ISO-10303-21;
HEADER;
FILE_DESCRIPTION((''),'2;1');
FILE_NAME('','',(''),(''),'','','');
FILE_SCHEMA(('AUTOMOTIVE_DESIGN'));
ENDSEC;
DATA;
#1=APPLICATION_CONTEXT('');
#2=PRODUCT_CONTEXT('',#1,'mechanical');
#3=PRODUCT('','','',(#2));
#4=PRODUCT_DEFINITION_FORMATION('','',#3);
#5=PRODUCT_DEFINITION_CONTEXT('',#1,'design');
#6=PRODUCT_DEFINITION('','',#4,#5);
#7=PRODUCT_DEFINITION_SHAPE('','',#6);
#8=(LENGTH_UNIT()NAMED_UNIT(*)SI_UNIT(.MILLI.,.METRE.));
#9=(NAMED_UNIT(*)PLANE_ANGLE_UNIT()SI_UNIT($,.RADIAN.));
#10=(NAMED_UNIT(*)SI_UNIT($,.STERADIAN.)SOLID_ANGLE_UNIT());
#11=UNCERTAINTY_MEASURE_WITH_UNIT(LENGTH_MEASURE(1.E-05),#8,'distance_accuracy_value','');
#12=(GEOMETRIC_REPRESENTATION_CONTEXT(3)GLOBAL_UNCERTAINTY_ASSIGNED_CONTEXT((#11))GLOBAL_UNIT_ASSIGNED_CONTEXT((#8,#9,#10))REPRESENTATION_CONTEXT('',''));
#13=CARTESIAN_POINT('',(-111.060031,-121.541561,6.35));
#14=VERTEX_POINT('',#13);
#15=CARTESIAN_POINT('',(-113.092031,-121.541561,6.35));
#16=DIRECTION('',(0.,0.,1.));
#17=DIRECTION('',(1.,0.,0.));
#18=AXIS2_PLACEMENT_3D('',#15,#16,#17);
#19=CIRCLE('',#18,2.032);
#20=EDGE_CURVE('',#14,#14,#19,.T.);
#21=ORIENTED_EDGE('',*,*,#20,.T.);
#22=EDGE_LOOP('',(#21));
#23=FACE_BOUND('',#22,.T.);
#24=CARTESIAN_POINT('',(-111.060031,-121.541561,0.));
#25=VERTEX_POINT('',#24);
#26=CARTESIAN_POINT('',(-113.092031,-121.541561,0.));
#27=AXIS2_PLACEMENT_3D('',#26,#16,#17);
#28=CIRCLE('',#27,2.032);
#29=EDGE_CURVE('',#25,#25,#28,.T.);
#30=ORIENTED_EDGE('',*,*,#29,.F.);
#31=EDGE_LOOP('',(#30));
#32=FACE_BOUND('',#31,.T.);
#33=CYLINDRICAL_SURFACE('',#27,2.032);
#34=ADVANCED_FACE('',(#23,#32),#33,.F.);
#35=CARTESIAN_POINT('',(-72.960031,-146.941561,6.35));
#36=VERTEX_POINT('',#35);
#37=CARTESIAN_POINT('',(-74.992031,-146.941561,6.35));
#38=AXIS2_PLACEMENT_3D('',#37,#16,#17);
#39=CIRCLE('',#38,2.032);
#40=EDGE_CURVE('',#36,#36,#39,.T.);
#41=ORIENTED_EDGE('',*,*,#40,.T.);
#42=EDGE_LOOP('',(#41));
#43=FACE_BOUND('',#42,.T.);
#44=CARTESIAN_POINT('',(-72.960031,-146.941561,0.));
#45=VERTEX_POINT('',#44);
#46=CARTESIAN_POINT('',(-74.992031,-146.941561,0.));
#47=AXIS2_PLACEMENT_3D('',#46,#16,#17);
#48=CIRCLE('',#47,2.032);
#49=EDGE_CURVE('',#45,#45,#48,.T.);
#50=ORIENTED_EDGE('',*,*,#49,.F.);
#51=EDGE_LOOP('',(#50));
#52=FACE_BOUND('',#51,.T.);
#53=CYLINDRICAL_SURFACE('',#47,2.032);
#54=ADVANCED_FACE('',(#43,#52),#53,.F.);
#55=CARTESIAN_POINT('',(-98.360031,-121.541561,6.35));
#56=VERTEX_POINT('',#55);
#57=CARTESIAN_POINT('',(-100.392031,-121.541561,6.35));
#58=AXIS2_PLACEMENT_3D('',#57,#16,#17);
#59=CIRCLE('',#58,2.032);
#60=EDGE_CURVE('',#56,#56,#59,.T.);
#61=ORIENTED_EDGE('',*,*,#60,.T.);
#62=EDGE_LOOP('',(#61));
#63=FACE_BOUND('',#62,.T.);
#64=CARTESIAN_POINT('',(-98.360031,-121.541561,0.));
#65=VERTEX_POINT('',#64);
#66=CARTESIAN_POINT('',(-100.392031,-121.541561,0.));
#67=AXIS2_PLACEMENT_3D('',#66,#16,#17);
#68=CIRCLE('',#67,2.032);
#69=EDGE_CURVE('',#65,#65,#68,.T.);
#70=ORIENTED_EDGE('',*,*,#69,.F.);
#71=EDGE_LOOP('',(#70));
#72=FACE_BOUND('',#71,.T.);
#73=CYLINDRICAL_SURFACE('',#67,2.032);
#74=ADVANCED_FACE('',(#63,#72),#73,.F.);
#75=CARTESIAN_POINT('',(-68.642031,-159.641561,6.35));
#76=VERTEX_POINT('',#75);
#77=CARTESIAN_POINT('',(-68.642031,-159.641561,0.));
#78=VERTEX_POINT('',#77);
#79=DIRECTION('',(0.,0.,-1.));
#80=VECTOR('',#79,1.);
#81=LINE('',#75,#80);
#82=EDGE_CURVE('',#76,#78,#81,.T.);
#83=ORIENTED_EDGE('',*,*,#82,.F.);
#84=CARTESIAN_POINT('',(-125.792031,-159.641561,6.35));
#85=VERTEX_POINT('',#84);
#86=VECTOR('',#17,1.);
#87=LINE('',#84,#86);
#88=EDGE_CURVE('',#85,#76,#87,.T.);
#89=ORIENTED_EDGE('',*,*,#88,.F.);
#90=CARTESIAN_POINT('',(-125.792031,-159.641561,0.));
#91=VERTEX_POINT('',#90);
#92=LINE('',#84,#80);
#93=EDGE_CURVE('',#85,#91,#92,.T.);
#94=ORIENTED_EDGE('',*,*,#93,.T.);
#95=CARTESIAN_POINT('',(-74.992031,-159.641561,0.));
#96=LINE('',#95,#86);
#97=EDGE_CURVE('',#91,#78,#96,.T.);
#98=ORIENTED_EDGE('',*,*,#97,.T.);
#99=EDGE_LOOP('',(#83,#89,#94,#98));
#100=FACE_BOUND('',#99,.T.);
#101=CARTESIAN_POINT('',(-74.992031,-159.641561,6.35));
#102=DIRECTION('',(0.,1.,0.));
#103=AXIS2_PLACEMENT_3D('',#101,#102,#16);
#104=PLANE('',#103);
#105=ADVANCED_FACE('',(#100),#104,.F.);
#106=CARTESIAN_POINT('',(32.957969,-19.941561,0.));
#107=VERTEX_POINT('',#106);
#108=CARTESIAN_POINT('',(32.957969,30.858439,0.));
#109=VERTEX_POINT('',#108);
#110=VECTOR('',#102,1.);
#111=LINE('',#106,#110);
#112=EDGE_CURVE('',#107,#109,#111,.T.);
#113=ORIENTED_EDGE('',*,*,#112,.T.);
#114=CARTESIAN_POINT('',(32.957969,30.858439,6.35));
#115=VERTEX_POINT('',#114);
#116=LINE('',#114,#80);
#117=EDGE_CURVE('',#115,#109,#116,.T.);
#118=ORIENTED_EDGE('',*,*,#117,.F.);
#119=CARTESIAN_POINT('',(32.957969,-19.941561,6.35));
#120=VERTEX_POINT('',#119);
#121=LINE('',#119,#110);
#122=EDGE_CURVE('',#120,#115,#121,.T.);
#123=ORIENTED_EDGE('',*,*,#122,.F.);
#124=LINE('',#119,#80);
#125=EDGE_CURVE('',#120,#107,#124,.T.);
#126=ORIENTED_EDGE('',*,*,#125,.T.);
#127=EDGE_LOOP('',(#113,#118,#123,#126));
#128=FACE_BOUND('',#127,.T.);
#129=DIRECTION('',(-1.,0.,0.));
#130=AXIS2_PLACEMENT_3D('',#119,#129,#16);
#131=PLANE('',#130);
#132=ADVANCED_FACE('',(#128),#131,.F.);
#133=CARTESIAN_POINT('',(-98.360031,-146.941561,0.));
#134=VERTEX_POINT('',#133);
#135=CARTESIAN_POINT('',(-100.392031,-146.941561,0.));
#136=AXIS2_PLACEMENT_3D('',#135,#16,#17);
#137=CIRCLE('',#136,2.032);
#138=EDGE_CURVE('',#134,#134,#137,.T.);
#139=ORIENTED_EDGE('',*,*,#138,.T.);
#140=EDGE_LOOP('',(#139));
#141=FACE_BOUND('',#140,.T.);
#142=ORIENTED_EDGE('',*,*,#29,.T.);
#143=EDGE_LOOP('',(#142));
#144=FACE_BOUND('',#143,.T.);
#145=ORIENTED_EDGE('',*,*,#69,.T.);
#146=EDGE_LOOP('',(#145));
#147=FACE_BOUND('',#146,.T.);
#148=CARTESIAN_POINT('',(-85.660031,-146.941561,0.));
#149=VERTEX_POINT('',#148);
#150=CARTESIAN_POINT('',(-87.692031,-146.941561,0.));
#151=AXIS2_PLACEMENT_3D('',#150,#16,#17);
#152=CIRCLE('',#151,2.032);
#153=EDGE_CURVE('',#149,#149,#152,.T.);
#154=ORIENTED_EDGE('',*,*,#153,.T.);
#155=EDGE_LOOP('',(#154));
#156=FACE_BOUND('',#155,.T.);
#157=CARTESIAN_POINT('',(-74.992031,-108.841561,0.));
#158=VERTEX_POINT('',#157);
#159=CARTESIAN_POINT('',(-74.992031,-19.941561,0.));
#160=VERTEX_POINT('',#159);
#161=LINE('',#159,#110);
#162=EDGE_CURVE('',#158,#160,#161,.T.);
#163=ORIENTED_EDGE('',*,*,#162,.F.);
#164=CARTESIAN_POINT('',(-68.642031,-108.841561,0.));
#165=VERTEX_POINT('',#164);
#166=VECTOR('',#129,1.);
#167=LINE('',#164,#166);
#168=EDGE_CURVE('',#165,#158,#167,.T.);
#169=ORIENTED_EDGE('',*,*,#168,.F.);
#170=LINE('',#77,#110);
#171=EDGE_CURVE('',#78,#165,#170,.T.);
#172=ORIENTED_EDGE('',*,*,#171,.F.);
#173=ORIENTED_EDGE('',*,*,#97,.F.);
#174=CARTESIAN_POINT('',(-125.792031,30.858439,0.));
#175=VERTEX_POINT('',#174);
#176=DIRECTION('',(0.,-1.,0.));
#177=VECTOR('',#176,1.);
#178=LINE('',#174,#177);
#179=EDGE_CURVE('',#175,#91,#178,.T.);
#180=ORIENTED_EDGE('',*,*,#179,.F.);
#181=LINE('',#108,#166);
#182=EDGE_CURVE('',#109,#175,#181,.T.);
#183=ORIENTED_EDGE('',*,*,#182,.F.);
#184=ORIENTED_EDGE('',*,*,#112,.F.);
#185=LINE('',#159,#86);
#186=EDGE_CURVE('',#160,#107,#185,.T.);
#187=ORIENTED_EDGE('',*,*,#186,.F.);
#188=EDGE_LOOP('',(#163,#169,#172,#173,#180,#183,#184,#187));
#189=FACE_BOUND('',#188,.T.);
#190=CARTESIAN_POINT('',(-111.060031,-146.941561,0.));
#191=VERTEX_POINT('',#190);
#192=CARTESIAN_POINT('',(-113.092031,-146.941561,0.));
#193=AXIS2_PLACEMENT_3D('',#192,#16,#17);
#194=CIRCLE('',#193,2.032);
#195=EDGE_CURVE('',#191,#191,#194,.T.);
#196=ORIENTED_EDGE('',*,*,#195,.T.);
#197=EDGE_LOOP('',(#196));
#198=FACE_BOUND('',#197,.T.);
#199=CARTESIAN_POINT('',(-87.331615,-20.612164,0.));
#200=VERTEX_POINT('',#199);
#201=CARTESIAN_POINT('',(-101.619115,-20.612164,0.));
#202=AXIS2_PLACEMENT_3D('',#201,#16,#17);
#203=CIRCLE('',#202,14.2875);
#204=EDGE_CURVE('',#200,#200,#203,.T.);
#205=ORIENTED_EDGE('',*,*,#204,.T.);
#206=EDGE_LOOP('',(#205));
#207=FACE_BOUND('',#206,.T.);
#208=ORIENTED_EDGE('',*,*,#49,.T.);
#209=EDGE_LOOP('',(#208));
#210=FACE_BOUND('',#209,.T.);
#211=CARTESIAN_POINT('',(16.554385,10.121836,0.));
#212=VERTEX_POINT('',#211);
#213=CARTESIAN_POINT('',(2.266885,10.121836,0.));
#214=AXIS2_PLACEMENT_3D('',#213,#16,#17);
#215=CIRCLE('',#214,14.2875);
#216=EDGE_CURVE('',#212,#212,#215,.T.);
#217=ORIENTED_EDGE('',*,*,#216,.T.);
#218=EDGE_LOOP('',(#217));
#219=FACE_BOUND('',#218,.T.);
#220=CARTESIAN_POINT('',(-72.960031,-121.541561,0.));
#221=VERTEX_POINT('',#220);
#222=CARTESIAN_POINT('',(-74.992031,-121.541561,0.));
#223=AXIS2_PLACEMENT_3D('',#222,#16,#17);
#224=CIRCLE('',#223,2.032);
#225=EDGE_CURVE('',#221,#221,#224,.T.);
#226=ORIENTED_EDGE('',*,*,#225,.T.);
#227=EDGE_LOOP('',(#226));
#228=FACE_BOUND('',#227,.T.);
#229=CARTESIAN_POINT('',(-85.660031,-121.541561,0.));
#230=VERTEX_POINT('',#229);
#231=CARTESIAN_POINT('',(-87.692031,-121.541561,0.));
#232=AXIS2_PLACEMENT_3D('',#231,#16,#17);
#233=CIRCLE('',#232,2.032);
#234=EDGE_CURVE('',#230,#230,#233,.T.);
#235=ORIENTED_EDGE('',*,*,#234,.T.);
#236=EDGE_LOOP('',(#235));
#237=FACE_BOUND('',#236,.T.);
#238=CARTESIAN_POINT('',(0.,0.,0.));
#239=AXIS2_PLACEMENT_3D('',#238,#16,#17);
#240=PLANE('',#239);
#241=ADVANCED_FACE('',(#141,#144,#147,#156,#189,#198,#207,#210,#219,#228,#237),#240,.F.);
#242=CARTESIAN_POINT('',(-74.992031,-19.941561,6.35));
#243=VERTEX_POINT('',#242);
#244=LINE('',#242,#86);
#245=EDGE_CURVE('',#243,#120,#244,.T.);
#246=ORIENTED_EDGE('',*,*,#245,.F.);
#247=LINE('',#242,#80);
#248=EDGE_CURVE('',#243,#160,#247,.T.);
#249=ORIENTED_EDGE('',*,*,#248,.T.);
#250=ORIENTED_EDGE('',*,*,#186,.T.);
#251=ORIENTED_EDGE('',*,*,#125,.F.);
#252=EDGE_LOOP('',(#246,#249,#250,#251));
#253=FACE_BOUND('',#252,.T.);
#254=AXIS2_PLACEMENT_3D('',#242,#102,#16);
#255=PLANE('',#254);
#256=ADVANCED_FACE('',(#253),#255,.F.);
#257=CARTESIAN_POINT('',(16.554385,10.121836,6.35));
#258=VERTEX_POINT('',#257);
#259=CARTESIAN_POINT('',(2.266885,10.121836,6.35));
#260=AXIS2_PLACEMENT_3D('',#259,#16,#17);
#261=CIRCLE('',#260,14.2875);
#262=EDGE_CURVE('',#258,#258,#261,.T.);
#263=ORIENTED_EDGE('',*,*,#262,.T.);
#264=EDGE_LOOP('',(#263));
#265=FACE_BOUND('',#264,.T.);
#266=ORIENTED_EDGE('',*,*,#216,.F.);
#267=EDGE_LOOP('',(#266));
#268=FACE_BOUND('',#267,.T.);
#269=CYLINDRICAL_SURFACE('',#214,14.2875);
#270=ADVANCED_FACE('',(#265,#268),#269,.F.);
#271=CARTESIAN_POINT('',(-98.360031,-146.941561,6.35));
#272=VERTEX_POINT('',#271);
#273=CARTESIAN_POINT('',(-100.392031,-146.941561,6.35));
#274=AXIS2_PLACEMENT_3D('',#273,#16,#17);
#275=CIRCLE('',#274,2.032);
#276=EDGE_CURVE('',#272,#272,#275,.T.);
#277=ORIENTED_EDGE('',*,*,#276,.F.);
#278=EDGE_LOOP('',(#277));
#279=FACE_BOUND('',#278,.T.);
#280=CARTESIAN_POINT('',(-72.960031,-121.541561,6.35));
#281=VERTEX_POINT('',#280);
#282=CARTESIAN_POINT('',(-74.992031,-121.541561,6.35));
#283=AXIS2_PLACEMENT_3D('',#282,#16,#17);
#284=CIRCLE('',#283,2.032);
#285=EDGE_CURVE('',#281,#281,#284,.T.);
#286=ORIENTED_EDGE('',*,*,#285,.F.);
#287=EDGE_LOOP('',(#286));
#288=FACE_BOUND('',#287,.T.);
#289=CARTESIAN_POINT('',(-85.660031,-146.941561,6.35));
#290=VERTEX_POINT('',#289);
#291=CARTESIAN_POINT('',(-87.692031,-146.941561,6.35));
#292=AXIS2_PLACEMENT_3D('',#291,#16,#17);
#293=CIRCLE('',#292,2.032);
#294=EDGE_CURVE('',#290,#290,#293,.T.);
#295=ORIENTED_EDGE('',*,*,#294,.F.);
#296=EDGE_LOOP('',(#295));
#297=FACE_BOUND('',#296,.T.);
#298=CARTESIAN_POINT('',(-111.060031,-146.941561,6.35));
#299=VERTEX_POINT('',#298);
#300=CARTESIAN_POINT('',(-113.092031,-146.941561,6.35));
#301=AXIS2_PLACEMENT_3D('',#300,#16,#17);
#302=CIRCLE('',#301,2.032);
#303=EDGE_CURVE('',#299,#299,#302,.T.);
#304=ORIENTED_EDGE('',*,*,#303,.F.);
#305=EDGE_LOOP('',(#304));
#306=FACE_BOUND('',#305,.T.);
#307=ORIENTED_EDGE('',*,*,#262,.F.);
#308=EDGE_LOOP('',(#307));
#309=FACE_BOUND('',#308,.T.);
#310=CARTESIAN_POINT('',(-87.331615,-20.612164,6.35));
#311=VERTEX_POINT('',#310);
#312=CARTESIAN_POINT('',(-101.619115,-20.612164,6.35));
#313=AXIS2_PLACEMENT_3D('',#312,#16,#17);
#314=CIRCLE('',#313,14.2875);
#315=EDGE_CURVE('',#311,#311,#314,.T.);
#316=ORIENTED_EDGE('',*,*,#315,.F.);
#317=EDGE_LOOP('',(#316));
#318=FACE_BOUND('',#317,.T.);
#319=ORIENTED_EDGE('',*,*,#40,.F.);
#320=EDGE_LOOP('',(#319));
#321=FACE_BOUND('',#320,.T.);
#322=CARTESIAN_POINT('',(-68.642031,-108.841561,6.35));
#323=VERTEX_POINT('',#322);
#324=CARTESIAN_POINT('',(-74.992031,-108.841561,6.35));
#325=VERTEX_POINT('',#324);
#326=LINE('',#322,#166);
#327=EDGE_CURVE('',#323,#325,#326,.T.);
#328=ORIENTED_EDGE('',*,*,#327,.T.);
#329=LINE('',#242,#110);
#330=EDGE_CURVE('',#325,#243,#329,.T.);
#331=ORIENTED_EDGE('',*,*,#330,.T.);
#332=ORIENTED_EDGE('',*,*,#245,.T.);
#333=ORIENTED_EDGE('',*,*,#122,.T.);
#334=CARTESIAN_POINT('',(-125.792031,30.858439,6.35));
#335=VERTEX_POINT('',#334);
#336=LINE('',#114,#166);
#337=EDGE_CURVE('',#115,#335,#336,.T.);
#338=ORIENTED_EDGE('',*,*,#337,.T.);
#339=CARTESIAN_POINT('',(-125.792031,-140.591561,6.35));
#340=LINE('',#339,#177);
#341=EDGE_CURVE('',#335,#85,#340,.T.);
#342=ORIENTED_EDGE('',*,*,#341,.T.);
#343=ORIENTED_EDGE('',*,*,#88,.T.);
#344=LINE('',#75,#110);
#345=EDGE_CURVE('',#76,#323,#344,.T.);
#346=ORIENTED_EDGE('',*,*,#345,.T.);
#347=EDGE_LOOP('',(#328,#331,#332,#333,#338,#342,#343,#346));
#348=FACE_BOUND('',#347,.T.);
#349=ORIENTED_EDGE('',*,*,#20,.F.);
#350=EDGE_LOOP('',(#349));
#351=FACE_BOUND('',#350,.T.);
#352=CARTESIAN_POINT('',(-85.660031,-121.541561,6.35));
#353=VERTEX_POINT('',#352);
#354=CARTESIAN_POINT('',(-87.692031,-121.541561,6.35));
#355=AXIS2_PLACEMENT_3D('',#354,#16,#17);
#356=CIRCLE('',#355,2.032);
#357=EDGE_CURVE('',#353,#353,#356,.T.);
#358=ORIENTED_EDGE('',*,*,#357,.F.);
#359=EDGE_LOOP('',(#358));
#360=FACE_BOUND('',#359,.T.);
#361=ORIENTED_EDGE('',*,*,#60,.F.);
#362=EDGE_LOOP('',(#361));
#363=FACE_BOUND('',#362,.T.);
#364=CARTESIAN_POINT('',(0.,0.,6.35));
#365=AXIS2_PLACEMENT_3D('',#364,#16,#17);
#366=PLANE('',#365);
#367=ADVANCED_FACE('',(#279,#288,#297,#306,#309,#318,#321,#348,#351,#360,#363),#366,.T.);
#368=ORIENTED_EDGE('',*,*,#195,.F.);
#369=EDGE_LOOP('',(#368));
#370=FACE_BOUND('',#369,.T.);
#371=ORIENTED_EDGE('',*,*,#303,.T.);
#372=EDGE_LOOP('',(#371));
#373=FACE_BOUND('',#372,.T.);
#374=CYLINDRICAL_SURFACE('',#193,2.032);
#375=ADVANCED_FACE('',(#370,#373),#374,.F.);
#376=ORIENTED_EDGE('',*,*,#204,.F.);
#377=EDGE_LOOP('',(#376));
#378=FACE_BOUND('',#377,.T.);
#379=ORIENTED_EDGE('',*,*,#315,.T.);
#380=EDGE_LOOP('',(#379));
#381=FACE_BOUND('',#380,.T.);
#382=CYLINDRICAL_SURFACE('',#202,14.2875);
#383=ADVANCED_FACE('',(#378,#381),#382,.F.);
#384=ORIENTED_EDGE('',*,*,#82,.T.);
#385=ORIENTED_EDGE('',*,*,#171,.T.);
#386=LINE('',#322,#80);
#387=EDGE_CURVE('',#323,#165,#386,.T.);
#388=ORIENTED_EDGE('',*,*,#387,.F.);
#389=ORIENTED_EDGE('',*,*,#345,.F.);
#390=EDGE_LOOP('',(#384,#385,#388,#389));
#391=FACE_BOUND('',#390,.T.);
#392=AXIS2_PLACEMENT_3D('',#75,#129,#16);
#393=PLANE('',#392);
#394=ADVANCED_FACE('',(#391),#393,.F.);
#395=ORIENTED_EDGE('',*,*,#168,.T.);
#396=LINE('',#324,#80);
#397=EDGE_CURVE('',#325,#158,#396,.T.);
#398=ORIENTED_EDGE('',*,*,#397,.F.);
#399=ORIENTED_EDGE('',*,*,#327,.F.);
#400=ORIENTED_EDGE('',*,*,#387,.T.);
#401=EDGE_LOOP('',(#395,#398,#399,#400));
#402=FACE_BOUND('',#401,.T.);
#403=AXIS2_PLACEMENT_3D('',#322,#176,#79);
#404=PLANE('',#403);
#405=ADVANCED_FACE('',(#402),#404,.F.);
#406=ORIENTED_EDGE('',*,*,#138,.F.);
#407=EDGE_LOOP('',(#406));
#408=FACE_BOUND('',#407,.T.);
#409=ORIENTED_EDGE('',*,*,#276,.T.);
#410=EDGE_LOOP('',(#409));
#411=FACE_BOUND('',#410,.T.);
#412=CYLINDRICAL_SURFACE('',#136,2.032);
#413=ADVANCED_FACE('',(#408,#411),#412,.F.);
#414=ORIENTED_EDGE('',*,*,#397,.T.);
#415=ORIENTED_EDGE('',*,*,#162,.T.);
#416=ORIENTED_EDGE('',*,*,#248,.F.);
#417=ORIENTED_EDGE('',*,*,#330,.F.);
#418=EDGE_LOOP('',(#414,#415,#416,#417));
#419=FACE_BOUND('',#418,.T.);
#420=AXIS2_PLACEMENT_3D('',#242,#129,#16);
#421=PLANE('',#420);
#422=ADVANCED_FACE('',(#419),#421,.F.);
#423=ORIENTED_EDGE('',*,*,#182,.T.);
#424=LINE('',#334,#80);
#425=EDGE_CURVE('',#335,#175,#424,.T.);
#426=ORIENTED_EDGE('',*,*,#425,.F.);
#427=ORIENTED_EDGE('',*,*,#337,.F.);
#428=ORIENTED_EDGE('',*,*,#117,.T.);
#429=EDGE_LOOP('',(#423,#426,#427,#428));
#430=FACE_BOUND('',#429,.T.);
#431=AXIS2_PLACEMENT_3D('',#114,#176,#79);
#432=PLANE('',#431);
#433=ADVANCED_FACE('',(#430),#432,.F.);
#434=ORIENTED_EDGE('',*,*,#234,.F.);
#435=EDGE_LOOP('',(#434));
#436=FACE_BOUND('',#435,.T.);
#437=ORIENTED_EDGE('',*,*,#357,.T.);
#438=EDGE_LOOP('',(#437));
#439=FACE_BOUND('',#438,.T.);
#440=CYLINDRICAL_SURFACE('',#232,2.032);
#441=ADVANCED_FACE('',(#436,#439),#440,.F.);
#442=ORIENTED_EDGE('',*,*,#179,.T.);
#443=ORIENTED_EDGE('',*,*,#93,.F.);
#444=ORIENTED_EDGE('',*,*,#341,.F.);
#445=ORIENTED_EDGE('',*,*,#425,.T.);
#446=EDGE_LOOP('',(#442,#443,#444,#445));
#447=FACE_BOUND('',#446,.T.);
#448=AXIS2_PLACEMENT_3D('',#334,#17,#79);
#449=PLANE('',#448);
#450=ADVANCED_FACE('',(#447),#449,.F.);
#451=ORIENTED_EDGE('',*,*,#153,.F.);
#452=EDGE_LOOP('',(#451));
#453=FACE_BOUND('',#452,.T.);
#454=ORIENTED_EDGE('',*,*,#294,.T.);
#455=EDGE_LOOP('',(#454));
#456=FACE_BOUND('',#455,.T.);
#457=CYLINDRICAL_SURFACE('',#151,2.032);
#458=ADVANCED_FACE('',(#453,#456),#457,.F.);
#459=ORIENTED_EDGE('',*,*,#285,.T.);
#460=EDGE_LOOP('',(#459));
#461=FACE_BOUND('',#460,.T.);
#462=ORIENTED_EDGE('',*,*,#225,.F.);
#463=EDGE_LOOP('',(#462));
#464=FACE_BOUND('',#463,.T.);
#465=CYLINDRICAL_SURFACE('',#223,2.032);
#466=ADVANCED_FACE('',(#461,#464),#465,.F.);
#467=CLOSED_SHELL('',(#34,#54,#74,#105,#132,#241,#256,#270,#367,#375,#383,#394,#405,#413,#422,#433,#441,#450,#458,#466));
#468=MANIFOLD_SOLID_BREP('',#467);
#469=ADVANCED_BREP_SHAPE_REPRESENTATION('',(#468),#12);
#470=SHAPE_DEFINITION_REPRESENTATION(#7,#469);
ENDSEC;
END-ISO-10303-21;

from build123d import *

# Parameters (mm, degrees)
BOSS_EXTRUDE1_DEPTH = 6.35
SKETCH3_R           = 14.2875
SKETCH3_R_2         = 2.032
CUT_EXTRUDE1_DEPTH  = 6.35


with BuildPart() as part:
    # Sketch2 → Boss-Extrude1 (new body)
    with BuildSketch(Plane.XY):
        Polygon((-125.79203122, -159.641560721), (-74.99203122, -159.641560721), (-68.64203122, -159.641560721), (-68.64203122, -108.841560721), (-74.99203122, -108.841560721), (-74.99203122, -19.941560721), (32.95796878, -19.941560721), (32.95796878, 30.858439279), (-125.79203122, 30.858439279), (-125.79203122, -140.591560721), align=None)
    extrude(amount=BOSS_EXTRUDE1_DEPTH)

    # Sketch3 → Cut-Extrude1 (cut)
    with BuildSketch(Plane.XY.offset(6.35)):
        with Locations((-101.619115086, -20.612163927)):
            Circle(SKETCH3_R)
        with Locations((2.266884914, 10.121836073)):
            Circle(SKETCH3_R)
        with Locations((-87.69203122, -146.941560721)):
            Circle(SKETCH3_R_2)
        with Locations((-113.09203122, -146.941560721)):
            Circle(SKETCH3_R_2)
        with Locations((-100.39203122, -146.941560721)):
            Circle(SKETCH3_R_2)
        with Locations((-74.99203122, -146.941560721)):
            Circle(SKETCH3_R_2)
        with Locations((-113.09203122, -121.541560721)):
            Circle(SKETCH3_R_2)
        with Locations((-87.69203122, -121.541560721)):
            Circle(SKETCH3_R_2)
        with Locations((-74.99203122, -121.541560721)):
            Circle(SKETCH3_R_2)
        with Locations((-100.39203122, -121.541560721)):
            Circle(SKETCH3_R_2)
    extrude(amount=-CUT_EXTRUDE1_DEPTH, mode=Mode.SUBTRACT)


solid = part.part
